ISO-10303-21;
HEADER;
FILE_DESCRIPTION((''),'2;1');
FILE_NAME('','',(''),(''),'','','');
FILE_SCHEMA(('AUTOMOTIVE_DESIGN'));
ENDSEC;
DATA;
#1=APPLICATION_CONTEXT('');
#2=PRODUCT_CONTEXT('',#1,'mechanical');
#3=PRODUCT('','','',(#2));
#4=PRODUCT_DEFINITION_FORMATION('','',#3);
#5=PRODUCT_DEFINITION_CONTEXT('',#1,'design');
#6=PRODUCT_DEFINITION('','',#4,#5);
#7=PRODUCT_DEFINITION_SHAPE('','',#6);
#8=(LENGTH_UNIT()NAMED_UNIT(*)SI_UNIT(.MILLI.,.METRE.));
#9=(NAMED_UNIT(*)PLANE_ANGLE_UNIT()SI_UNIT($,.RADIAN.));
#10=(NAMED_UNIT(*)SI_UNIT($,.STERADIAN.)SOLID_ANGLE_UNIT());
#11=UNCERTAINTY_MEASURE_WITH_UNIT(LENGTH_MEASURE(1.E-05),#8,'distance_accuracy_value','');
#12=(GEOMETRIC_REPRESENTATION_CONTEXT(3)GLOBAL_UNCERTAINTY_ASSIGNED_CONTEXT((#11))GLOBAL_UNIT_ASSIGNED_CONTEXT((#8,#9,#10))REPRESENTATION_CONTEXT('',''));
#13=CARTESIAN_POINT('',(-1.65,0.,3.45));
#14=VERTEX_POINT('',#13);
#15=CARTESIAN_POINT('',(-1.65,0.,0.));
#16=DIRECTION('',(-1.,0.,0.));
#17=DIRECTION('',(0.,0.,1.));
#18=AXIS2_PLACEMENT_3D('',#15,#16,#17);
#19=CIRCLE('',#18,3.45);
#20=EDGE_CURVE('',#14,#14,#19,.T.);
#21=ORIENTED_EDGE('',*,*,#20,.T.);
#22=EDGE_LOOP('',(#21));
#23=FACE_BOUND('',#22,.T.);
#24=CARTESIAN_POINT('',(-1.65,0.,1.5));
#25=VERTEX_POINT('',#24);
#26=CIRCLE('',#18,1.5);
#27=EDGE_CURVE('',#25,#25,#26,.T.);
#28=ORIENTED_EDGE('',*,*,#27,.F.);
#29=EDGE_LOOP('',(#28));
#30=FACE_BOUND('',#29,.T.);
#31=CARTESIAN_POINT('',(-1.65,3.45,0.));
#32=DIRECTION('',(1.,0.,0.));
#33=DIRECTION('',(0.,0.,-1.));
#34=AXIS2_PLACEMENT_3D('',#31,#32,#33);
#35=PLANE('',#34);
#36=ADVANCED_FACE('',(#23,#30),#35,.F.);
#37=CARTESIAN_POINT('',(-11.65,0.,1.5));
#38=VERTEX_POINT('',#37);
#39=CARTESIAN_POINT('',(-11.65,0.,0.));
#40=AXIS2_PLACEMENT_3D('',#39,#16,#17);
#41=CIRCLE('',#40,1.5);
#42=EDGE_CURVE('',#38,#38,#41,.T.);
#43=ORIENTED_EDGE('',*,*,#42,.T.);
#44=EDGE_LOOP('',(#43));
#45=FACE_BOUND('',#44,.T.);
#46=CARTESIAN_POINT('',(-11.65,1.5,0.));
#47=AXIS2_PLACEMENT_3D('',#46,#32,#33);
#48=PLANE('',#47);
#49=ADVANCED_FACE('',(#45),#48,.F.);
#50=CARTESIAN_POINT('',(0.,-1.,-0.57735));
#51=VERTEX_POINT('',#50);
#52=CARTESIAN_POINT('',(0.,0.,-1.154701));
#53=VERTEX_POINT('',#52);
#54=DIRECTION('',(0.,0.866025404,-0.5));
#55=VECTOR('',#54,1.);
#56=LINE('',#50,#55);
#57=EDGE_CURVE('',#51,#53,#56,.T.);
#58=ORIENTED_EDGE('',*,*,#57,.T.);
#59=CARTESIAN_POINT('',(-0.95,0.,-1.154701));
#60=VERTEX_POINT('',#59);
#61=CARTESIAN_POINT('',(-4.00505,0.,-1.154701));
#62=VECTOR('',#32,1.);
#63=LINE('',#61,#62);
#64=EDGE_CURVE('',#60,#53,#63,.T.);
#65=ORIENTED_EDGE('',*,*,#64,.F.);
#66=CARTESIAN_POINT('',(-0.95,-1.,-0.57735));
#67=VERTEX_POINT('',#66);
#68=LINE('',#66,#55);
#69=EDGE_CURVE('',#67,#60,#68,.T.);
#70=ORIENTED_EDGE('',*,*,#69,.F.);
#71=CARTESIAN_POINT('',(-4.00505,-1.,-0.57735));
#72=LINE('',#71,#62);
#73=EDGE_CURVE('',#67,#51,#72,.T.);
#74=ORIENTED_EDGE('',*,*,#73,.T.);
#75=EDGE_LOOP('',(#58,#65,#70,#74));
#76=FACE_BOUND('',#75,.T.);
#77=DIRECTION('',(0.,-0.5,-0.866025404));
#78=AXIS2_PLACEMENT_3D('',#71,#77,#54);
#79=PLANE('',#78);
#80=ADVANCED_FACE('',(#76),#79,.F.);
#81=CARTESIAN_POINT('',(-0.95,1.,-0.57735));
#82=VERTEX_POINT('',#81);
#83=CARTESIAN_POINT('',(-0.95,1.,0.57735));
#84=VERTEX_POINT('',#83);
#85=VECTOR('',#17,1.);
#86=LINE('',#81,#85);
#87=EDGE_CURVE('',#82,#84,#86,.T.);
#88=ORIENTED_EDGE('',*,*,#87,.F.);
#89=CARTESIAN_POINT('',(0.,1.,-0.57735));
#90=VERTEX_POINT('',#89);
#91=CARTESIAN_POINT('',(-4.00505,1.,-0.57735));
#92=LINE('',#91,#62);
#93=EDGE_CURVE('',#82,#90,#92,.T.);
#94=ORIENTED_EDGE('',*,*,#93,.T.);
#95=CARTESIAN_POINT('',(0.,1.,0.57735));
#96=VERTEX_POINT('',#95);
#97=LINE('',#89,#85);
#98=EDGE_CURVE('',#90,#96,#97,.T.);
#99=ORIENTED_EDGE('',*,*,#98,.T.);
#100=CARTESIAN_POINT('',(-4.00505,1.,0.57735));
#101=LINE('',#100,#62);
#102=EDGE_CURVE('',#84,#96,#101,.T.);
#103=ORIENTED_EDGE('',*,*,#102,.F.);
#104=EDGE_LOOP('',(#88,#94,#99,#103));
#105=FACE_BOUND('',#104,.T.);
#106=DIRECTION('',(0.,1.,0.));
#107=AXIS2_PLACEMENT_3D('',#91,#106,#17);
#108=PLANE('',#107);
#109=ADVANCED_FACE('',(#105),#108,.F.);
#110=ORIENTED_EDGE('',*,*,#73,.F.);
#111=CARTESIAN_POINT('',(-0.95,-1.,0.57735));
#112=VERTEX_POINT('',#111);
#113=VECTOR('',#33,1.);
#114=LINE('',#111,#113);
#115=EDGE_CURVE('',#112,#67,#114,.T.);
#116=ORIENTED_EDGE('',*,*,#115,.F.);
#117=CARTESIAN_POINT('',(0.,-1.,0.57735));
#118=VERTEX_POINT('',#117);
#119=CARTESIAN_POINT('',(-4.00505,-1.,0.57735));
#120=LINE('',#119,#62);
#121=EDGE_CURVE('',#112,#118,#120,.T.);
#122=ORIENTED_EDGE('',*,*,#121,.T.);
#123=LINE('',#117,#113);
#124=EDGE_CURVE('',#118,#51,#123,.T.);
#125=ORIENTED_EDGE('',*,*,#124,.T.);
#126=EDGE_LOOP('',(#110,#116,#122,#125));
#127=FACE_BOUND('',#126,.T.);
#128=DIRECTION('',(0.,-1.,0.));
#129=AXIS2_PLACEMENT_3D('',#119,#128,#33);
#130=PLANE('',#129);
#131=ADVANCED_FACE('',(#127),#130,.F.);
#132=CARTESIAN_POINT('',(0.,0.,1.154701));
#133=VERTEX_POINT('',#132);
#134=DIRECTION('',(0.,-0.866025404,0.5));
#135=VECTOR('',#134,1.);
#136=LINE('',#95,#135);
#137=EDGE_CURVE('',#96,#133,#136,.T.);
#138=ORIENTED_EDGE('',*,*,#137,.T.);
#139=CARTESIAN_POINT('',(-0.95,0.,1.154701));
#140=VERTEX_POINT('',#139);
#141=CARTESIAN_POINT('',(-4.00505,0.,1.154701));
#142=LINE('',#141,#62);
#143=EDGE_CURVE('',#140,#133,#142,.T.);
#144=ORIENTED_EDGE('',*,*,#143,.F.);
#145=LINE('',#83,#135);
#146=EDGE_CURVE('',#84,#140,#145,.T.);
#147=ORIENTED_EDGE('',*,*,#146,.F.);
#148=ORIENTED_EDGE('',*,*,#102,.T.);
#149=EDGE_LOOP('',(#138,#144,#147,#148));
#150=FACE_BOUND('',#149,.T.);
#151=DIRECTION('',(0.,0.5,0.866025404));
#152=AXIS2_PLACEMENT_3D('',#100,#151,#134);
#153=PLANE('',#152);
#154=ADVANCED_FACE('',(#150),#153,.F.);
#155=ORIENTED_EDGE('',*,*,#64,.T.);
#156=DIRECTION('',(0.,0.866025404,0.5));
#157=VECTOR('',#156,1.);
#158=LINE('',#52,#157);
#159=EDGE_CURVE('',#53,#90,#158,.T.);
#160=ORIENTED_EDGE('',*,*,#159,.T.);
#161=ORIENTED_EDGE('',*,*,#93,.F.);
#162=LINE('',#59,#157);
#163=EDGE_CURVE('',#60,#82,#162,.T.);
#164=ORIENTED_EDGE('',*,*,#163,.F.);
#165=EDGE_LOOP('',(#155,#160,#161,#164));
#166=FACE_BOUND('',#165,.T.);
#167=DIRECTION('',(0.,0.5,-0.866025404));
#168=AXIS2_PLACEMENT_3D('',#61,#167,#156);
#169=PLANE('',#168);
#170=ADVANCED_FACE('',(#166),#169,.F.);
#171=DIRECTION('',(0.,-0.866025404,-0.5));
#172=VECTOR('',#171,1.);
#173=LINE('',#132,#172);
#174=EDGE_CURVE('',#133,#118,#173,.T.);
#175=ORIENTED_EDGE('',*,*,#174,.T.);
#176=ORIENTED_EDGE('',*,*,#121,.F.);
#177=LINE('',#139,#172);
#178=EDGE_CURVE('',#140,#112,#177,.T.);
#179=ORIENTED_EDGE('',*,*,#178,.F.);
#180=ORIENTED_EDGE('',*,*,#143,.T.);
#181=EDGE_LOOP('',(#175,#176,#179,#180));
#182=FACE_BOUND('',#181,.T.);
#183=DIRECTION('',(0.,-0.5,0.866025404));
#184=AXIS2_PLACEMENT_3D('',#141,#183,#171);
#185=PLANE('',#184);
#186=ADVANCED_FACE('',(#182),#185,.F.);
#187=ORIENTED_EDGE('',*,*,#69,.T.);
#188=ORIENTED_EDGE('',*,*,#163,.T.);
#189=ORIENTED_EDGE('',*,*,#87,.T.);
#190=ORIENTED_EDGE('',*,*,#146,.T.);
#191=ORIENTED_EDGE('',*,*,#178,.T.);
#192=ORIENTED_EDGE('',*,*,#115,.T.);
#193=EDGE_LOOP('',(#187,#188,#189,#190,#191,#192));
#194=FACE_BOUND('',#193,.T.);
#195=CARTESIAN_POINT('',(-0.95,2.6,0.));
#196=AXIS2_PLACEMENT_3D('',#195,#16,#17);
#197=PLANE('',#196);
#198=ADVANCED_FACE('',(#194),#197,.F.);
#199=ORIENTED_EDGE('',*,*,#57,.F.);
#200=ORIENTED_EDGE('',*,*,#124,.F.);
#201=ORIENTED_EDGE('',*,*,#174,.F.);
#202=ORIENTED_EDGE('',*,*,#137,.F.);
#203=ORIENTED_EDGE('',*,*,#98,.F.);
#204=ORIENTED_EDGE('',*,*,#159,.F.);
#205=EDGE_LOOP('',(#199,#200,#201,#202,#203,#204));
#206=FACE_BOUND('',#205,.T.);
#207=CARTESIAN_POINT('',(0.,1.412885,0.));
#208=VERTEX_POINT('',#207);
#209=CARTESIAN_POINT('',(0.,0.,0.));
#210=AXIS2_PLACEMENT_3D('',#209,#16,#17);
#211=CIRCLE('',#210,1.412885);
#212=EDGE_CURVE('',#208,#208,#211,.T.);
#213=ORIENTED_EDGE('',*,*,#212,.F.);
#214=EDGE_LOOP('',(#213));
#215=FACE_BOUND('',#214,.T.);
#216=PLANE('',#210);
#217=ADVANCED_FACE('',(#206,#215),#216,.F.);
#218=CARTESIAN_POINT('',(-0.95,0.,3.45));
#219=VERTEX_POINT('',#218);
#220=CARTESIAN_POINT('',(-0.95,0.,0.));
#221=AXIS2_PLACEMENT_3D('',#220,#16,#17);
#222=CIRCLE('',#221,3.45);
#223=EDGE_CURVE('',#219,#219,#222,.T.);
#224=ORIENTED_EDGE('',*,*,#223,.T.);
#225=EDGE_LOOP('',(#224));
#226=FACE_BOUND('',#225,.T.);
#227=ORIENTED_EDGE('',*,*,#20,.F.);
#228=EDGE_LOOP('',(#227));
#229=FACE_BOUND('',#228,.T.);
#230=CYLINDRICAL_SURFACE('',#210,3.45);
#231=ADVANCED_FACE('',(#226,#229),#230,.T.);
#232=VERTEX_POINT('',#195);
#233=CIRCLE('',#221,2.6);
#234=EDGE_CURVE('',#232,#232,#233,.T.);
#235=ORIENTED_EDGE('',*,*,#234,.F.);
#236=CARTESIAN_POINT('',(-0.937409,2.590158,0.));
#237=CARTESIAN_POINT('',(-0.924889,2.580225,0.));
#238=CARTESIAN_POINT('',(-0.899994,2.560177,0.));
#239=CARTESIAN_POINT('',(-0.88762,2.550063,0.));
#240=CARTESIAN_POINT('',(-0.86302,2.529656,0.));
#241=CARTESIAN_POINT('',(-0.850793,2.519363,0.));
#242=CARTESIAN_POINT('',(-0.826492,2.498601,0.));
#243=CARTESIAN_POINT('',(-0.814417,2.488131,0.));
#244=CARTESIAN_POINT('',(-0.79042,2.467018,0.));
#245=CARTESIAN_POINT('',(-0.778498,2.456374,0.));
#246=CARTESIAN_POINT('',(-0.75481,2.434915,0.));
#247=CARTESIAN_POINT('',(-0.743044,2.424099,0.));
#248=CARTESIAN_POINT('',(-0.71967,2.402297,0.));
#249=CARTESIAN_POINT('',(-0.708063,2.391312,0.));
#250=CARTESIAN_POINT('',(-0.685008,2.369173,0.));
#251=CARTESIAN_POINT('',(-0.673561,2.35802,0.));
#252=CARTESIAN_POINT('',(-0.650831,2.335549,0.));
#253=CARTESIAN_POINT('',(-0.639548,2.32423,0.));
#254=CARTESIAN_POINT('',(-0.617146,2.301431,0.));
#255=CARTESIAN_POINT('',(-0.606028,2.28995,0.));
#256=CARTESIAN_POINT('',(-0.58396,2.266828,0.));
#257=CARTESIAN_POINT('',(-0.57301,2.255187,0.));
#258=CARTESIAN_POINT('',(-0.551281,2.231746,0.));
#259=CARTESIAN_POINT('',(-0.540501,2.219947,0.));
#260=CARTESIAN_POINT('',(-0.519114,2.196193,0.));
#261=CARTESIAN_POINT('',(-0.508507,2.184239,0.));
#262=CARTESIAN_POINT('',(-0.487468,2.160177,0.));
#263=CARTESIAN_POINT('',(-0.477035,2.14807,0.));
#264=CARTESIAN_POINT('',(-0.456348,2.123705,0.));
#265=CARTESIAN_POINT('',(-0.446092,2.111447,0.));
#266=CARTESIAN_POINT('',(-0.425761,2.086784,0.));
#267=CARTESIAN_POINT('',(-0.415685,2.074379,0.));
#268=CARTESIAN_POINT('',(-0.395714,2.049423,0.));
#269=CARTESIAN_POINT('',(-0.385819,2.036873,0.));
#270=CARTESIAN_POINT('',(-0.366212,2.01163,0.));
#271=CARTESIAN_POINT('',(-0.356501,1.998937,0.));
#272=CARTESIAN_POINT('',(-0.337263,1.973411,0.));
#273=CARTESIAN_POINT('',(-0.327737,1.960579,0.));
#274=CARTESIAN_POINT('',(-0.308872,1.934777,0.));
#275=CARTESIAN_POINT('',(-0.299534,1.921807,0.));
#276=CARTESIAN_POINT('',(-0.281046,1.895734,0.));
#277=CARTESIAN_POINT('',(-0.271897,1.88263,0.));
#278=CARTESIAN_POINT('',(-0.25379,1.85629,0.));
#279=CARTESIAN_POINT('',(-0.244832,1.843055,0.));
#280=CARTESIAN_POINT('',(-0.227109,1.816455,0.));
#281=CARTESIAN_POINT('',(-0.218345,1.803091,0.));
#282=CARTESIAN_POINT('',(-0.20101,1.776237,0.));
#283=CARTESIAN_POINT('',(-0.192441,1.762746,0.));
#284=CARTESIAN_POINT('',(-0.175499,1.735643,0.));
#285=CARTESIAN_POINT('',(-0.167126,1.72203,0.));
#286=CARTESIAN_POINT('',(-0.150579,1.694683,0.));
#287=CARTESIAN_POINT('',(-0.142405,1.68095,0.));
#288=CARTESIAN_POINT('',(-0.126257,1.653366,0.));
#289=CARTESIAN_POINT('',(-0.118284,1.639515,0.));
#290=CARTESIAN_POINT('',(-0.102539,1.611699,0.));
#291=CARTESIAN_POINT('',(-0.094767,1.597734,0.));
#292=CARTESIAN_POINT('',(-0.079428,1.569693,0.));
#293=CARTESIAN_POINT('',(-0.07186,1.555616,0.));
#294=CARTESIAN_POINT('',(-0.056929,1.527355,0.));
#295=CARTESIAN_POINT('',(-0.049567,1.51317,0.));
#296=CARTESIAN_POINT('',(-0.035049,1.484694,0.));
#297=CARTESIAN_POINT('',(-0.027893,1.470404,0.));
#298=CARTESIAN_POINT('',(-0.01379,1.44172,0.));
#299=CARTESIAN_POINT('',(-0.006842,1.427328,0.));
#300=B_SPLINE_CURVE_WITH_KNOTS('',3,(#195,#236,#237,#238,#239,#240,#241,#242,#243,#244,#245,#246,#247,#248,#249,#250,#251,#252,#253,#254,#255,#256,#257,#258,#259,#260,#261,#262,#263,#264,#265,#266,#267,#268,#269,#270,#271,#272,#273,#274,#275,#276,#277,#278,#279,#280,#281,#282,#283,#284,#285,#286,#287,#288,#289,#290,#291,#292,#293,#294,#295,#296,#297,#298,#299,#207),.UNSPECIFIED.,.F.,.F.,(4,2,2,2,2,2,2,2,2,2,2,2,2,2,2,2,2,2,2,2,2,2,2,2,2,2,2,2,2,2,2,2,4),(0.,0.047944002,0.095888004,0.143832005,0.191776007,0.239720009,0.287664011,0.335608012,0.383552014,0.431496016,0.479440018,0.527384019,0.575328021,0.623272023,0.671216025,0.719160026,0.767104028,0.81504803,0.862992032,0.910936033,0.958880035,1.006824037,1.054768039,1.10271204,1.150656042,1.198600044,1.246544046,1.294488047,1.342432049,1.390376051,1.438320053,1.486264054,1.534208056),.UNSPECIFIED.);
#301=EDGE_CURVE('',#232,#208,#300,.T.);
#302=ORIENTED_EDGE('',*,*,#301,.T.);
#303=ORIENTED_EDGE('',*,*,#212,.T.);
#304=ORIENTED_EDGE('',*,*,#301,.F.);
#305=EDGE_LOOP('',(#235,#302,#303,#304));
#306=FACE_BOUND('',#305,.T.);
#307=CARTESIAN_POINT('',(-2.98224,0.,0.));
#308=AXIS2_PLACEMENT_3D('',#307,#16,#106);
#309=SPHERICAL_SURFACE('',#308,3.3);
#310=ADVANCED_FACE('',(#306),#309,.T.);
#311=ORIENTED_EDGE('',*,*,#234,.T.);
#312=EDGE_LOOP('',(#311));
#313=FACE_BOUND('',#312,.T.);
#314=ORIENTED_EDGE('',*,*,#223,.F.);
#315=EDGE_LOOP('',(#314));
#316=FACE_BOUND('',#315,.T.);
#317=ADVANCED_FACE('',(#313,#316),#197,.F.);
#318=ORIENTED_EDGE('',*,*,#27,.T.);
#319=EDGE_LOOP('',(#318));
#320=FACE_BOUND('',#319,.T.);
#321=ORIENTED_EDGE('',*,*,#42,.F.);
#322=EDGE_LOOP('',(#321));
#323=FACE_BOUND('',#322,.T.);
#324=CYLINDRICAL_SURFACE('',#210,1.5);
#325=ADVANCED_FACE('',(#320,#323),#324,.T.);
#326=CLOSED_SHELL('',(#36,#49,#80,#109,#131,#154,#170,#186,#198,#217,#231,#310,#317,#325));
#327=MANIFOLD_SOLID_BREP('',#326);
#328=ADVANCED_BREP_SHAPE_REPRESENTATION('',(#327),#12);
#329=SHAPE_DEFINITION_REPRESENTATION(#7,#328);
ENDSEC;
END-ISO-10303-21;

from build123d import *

# Parameters (mm, degrees)
CUT_EXTRUDE1_DEPTH = 0.95


with BuildPart() as part:
    # Sketch1 → Revolve1 (revolve)
    with BuildSketch(Plane.XY, mode=Mode.PRIVATE) as revolve1_sk:
        with BuildLine():
            Line((0, 0), (0, 1.412884895))
            ThreePointArc((0, 1.412884895), (-0.405699108, 2.061901136), (-0.95, 2.6))
            Line((-0.95, 2.6), (-0.95, 3.45))
            Line((-0.95, 3.45), (-1.65, 3.45))
            Line((-1.65, 3.45), (-1.65, 1.5))
            Line((-1.65, 1.5), (-11.65, 1.5))
            Line((-11.65, 1.5), (-11.65, 0))
            Line((-11.65, 0), (0, 0))
        make_face()
    revolve(revolve1_sk.sketch.rotate(Axis((0, 0, 0), (1, 0, 0)), 90), axis=Axis((0, 0, 0), (1, 0, 0)))

    # Sketch2 → Cut-Extrude1 (cut)
    with BuildSketch(Plane(origin=(0, 0, 0), x_dir=(0, 0, -1), z_dir=(1, 0, 0))):
        Polygon((1.154700538, 0), (0.577350269, 1), (-0.577350269, 1), (-1.154700538, 0), (-0.577350269, -1), (0.577350269, -1), align=None)
    extrude(amount=-CUT_EXTRUDE1_DEPTH, mode=Mode.SUBTRACT)


solid = part.part
